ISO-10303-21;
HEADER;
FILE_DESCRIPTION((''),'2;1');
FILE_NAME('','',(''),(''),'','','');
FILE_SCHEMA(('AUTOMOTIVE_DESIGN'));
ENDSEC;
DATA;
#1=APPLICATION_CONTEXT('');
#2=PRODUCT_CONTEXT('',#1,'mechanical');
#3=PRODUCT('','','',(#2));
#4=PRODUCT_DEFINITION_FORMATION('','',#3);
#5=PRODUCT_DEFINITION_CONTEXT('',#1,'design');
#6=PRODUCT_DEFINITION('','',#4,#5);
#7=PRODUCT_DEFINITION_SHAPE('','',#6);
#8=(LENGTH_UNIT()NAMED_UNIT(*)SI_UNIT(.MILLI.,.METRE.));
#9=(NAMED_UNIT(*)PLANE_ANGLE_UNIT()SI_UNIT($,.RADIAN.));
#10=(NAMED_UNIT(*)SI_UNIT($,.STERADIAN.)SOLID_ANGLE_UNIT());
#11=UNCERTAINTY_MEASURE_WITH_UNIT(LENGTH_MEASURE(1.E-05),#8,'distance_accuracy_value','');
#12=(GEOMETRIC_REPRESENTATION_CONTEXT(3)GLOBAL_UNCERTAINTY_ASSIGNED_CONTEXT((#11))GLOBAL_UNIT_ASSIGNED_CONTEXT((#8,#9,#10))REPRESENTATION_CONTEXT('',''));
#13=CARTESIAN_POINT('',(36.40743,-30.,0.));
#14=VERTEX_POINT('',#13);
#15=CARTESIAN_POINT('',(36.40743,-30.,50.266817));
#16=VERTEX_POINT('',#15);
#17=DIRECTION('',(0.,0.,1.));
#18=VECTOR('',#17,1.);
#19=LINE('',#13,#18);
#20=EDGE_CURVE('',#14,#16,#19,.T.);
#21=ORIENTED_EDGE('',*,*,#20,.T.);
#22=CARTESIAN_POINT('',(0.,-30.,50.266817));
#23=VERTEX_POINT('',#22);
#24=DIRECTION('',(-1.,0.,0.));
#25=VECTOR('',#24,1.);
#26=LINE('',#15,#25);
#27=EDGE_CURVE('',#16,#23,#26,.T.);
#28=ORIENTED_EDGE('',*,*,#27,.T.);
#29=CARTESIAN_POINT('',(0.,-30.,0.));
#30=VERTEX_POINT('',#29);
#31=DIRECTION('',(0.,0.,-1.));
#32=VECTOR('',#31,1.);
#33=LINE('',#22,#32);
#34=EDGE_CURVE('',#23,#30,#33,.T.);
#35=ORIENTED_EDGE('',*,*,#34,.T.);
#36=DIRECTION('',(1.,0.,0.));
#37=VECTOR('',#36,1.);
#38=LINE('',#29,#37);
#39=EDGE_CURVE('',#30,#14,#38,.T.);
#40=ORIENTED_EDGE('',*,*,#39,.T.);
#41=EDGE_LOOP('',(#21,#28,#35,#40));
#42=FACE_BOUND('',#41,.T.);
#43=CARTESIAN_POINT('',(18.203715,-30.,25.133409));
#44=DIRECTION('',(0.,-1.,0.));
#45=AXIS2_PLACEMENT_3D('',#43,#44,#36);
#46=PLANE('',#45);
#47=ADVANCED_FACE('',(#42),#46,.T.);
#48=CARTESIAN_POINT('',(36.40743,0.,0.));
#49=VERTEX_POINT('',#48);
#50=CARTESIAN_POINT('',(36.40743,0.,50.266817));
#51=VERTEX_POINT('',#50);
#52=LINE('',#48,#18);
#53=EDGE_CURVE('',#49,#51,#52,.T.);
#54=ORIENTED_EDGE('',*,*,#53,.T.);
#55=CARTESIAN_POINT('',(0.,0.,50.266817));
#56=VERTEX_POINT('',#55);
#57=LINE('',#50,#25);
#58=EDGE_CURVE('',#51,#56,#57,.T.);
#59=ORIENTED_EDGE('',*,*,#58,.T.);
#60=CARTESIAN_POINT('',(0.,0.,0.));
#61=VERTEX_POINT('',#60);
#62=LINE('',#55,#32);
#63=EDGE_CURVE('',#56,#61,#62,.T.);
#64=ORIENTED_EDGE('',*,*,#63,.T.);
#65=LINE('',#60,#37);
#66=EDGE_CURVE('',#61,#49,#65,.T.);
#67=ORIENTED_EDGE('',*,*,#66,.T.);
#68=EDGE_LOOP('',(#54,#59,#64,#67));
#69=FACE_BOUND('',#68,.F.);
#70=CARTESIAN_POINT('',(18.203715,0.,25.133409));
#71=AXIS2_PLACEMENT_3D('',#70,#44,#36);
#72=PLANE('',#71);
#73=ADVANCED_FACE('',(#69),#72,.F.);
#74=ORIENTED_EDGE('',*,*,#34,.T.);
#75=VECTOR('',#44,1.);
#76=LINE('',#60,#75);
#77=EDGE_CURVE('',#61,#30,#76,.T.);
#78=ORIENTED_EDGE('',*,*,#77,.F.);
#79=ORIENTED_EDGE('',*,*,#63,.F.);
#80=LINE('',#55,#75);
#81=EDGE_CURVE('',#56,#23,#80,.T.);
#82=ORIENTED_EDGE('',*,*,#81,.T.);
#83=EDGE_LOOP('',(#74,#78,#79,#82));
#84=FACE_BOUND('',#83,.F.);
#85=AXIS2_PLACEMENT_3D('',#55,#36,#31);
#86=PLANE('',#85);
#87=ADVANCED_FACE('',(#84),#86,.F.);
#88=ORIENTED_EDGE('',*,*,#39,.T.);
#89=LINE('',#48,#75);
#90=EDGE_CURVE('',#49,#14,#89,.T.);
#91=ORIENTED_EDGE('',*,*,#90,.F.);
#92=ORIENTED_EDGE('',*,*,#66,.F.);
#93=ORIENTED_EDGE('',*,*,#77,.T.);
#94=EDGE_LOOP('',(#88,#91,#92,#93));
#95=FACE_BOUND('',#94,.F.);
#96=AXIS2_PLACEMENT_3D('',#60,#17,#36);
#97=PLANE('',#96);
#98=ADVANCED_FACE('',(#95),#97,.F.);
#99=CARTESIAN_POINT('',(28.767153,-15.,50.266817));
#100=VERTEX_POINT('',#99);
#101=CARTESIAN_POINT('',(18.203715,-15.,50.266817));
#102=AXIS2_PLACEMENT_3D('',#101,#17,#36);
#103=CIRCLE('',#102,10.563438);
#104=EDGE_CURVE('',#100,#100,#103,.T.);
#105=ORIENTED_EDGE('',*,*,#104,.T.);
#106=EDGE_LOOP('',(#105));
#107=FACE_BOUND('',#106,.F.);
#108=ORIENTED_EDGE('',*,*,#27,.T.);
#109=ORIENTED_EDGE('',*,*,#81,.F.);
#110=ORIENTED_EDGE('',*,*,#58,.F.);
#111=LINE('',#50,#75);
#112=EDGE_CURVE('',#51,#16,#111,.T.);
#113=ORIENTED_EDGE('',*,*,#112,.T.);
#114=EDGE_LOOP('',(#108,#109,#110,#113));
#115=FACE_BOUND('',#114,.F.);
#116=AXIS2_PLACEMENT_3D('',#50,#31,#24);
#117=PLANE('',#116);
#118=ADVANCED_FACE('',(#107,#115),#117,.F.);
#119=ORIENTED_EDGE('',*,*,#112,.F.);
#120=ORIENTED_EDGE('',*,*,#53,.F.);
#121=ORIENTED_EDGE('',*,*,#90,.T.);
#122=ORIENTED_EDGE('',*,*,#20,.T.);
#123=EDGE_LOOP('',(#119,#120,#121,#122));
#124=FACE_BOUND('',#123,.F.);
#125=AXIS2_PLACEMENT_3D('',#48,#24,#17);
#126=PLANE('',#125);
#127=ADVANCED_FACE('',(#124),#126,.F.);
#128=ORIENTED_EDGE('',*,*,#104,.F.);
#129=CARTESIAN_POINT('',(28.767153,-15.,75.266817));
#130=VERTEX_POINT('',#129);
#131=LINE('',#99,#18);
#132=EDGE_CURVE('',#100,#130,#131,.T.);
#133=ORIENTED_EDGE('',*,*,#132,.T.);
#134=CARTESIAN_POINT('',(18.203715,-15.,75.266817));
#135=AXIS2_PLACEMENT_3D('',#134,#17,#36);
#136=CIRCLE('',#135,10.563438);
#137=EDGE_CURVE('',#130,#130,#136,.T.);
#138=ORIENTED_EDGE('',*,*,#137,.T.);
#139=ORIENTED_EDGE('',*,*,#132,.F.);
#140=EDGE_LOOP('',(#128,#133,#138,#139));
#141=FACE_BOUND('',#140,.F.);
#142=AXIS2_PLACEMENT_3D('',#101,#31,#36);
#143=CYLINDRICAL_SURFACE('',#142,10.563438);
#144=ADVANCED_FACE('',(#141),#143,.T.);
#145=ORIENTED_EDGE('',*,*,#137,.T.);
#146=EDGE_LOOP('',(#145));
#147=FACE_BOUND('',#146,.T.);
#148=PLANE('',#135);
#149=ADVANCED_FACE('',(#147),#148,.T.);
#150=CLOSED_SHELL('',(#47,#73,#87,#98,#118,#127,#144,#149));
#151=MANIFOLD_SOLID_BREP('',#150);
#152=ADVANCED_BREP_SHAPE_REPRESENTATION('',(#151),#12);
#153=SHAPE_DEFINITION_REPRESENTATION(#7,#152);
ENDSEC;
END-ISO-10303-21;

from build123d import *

# Parameters (mm, degrees)
F1_DEPTH = 30
F2_R     = 10.563438
F3_DEPTH = 25


with BuildPart() as f1:
    # F0 (on Front) → F1 (new body)
    with BuildSketch(Plane.XZ):
        Polygon((0, 50.266817), (0, 0), (6.763435, 0), (36.40743, 0), (36.40743, 50.266817), align=None)
    extrude(amount=F1_DEPTH)

    # F2 (on face) → F3 (join)
    with BuildSketch(Plane.XY.offset(50.266817)):
        with Locations((18.203715, -15)):
            Circle(F2_R)
    extrude(amount=F3_DEPTH)


solid = f1.part
